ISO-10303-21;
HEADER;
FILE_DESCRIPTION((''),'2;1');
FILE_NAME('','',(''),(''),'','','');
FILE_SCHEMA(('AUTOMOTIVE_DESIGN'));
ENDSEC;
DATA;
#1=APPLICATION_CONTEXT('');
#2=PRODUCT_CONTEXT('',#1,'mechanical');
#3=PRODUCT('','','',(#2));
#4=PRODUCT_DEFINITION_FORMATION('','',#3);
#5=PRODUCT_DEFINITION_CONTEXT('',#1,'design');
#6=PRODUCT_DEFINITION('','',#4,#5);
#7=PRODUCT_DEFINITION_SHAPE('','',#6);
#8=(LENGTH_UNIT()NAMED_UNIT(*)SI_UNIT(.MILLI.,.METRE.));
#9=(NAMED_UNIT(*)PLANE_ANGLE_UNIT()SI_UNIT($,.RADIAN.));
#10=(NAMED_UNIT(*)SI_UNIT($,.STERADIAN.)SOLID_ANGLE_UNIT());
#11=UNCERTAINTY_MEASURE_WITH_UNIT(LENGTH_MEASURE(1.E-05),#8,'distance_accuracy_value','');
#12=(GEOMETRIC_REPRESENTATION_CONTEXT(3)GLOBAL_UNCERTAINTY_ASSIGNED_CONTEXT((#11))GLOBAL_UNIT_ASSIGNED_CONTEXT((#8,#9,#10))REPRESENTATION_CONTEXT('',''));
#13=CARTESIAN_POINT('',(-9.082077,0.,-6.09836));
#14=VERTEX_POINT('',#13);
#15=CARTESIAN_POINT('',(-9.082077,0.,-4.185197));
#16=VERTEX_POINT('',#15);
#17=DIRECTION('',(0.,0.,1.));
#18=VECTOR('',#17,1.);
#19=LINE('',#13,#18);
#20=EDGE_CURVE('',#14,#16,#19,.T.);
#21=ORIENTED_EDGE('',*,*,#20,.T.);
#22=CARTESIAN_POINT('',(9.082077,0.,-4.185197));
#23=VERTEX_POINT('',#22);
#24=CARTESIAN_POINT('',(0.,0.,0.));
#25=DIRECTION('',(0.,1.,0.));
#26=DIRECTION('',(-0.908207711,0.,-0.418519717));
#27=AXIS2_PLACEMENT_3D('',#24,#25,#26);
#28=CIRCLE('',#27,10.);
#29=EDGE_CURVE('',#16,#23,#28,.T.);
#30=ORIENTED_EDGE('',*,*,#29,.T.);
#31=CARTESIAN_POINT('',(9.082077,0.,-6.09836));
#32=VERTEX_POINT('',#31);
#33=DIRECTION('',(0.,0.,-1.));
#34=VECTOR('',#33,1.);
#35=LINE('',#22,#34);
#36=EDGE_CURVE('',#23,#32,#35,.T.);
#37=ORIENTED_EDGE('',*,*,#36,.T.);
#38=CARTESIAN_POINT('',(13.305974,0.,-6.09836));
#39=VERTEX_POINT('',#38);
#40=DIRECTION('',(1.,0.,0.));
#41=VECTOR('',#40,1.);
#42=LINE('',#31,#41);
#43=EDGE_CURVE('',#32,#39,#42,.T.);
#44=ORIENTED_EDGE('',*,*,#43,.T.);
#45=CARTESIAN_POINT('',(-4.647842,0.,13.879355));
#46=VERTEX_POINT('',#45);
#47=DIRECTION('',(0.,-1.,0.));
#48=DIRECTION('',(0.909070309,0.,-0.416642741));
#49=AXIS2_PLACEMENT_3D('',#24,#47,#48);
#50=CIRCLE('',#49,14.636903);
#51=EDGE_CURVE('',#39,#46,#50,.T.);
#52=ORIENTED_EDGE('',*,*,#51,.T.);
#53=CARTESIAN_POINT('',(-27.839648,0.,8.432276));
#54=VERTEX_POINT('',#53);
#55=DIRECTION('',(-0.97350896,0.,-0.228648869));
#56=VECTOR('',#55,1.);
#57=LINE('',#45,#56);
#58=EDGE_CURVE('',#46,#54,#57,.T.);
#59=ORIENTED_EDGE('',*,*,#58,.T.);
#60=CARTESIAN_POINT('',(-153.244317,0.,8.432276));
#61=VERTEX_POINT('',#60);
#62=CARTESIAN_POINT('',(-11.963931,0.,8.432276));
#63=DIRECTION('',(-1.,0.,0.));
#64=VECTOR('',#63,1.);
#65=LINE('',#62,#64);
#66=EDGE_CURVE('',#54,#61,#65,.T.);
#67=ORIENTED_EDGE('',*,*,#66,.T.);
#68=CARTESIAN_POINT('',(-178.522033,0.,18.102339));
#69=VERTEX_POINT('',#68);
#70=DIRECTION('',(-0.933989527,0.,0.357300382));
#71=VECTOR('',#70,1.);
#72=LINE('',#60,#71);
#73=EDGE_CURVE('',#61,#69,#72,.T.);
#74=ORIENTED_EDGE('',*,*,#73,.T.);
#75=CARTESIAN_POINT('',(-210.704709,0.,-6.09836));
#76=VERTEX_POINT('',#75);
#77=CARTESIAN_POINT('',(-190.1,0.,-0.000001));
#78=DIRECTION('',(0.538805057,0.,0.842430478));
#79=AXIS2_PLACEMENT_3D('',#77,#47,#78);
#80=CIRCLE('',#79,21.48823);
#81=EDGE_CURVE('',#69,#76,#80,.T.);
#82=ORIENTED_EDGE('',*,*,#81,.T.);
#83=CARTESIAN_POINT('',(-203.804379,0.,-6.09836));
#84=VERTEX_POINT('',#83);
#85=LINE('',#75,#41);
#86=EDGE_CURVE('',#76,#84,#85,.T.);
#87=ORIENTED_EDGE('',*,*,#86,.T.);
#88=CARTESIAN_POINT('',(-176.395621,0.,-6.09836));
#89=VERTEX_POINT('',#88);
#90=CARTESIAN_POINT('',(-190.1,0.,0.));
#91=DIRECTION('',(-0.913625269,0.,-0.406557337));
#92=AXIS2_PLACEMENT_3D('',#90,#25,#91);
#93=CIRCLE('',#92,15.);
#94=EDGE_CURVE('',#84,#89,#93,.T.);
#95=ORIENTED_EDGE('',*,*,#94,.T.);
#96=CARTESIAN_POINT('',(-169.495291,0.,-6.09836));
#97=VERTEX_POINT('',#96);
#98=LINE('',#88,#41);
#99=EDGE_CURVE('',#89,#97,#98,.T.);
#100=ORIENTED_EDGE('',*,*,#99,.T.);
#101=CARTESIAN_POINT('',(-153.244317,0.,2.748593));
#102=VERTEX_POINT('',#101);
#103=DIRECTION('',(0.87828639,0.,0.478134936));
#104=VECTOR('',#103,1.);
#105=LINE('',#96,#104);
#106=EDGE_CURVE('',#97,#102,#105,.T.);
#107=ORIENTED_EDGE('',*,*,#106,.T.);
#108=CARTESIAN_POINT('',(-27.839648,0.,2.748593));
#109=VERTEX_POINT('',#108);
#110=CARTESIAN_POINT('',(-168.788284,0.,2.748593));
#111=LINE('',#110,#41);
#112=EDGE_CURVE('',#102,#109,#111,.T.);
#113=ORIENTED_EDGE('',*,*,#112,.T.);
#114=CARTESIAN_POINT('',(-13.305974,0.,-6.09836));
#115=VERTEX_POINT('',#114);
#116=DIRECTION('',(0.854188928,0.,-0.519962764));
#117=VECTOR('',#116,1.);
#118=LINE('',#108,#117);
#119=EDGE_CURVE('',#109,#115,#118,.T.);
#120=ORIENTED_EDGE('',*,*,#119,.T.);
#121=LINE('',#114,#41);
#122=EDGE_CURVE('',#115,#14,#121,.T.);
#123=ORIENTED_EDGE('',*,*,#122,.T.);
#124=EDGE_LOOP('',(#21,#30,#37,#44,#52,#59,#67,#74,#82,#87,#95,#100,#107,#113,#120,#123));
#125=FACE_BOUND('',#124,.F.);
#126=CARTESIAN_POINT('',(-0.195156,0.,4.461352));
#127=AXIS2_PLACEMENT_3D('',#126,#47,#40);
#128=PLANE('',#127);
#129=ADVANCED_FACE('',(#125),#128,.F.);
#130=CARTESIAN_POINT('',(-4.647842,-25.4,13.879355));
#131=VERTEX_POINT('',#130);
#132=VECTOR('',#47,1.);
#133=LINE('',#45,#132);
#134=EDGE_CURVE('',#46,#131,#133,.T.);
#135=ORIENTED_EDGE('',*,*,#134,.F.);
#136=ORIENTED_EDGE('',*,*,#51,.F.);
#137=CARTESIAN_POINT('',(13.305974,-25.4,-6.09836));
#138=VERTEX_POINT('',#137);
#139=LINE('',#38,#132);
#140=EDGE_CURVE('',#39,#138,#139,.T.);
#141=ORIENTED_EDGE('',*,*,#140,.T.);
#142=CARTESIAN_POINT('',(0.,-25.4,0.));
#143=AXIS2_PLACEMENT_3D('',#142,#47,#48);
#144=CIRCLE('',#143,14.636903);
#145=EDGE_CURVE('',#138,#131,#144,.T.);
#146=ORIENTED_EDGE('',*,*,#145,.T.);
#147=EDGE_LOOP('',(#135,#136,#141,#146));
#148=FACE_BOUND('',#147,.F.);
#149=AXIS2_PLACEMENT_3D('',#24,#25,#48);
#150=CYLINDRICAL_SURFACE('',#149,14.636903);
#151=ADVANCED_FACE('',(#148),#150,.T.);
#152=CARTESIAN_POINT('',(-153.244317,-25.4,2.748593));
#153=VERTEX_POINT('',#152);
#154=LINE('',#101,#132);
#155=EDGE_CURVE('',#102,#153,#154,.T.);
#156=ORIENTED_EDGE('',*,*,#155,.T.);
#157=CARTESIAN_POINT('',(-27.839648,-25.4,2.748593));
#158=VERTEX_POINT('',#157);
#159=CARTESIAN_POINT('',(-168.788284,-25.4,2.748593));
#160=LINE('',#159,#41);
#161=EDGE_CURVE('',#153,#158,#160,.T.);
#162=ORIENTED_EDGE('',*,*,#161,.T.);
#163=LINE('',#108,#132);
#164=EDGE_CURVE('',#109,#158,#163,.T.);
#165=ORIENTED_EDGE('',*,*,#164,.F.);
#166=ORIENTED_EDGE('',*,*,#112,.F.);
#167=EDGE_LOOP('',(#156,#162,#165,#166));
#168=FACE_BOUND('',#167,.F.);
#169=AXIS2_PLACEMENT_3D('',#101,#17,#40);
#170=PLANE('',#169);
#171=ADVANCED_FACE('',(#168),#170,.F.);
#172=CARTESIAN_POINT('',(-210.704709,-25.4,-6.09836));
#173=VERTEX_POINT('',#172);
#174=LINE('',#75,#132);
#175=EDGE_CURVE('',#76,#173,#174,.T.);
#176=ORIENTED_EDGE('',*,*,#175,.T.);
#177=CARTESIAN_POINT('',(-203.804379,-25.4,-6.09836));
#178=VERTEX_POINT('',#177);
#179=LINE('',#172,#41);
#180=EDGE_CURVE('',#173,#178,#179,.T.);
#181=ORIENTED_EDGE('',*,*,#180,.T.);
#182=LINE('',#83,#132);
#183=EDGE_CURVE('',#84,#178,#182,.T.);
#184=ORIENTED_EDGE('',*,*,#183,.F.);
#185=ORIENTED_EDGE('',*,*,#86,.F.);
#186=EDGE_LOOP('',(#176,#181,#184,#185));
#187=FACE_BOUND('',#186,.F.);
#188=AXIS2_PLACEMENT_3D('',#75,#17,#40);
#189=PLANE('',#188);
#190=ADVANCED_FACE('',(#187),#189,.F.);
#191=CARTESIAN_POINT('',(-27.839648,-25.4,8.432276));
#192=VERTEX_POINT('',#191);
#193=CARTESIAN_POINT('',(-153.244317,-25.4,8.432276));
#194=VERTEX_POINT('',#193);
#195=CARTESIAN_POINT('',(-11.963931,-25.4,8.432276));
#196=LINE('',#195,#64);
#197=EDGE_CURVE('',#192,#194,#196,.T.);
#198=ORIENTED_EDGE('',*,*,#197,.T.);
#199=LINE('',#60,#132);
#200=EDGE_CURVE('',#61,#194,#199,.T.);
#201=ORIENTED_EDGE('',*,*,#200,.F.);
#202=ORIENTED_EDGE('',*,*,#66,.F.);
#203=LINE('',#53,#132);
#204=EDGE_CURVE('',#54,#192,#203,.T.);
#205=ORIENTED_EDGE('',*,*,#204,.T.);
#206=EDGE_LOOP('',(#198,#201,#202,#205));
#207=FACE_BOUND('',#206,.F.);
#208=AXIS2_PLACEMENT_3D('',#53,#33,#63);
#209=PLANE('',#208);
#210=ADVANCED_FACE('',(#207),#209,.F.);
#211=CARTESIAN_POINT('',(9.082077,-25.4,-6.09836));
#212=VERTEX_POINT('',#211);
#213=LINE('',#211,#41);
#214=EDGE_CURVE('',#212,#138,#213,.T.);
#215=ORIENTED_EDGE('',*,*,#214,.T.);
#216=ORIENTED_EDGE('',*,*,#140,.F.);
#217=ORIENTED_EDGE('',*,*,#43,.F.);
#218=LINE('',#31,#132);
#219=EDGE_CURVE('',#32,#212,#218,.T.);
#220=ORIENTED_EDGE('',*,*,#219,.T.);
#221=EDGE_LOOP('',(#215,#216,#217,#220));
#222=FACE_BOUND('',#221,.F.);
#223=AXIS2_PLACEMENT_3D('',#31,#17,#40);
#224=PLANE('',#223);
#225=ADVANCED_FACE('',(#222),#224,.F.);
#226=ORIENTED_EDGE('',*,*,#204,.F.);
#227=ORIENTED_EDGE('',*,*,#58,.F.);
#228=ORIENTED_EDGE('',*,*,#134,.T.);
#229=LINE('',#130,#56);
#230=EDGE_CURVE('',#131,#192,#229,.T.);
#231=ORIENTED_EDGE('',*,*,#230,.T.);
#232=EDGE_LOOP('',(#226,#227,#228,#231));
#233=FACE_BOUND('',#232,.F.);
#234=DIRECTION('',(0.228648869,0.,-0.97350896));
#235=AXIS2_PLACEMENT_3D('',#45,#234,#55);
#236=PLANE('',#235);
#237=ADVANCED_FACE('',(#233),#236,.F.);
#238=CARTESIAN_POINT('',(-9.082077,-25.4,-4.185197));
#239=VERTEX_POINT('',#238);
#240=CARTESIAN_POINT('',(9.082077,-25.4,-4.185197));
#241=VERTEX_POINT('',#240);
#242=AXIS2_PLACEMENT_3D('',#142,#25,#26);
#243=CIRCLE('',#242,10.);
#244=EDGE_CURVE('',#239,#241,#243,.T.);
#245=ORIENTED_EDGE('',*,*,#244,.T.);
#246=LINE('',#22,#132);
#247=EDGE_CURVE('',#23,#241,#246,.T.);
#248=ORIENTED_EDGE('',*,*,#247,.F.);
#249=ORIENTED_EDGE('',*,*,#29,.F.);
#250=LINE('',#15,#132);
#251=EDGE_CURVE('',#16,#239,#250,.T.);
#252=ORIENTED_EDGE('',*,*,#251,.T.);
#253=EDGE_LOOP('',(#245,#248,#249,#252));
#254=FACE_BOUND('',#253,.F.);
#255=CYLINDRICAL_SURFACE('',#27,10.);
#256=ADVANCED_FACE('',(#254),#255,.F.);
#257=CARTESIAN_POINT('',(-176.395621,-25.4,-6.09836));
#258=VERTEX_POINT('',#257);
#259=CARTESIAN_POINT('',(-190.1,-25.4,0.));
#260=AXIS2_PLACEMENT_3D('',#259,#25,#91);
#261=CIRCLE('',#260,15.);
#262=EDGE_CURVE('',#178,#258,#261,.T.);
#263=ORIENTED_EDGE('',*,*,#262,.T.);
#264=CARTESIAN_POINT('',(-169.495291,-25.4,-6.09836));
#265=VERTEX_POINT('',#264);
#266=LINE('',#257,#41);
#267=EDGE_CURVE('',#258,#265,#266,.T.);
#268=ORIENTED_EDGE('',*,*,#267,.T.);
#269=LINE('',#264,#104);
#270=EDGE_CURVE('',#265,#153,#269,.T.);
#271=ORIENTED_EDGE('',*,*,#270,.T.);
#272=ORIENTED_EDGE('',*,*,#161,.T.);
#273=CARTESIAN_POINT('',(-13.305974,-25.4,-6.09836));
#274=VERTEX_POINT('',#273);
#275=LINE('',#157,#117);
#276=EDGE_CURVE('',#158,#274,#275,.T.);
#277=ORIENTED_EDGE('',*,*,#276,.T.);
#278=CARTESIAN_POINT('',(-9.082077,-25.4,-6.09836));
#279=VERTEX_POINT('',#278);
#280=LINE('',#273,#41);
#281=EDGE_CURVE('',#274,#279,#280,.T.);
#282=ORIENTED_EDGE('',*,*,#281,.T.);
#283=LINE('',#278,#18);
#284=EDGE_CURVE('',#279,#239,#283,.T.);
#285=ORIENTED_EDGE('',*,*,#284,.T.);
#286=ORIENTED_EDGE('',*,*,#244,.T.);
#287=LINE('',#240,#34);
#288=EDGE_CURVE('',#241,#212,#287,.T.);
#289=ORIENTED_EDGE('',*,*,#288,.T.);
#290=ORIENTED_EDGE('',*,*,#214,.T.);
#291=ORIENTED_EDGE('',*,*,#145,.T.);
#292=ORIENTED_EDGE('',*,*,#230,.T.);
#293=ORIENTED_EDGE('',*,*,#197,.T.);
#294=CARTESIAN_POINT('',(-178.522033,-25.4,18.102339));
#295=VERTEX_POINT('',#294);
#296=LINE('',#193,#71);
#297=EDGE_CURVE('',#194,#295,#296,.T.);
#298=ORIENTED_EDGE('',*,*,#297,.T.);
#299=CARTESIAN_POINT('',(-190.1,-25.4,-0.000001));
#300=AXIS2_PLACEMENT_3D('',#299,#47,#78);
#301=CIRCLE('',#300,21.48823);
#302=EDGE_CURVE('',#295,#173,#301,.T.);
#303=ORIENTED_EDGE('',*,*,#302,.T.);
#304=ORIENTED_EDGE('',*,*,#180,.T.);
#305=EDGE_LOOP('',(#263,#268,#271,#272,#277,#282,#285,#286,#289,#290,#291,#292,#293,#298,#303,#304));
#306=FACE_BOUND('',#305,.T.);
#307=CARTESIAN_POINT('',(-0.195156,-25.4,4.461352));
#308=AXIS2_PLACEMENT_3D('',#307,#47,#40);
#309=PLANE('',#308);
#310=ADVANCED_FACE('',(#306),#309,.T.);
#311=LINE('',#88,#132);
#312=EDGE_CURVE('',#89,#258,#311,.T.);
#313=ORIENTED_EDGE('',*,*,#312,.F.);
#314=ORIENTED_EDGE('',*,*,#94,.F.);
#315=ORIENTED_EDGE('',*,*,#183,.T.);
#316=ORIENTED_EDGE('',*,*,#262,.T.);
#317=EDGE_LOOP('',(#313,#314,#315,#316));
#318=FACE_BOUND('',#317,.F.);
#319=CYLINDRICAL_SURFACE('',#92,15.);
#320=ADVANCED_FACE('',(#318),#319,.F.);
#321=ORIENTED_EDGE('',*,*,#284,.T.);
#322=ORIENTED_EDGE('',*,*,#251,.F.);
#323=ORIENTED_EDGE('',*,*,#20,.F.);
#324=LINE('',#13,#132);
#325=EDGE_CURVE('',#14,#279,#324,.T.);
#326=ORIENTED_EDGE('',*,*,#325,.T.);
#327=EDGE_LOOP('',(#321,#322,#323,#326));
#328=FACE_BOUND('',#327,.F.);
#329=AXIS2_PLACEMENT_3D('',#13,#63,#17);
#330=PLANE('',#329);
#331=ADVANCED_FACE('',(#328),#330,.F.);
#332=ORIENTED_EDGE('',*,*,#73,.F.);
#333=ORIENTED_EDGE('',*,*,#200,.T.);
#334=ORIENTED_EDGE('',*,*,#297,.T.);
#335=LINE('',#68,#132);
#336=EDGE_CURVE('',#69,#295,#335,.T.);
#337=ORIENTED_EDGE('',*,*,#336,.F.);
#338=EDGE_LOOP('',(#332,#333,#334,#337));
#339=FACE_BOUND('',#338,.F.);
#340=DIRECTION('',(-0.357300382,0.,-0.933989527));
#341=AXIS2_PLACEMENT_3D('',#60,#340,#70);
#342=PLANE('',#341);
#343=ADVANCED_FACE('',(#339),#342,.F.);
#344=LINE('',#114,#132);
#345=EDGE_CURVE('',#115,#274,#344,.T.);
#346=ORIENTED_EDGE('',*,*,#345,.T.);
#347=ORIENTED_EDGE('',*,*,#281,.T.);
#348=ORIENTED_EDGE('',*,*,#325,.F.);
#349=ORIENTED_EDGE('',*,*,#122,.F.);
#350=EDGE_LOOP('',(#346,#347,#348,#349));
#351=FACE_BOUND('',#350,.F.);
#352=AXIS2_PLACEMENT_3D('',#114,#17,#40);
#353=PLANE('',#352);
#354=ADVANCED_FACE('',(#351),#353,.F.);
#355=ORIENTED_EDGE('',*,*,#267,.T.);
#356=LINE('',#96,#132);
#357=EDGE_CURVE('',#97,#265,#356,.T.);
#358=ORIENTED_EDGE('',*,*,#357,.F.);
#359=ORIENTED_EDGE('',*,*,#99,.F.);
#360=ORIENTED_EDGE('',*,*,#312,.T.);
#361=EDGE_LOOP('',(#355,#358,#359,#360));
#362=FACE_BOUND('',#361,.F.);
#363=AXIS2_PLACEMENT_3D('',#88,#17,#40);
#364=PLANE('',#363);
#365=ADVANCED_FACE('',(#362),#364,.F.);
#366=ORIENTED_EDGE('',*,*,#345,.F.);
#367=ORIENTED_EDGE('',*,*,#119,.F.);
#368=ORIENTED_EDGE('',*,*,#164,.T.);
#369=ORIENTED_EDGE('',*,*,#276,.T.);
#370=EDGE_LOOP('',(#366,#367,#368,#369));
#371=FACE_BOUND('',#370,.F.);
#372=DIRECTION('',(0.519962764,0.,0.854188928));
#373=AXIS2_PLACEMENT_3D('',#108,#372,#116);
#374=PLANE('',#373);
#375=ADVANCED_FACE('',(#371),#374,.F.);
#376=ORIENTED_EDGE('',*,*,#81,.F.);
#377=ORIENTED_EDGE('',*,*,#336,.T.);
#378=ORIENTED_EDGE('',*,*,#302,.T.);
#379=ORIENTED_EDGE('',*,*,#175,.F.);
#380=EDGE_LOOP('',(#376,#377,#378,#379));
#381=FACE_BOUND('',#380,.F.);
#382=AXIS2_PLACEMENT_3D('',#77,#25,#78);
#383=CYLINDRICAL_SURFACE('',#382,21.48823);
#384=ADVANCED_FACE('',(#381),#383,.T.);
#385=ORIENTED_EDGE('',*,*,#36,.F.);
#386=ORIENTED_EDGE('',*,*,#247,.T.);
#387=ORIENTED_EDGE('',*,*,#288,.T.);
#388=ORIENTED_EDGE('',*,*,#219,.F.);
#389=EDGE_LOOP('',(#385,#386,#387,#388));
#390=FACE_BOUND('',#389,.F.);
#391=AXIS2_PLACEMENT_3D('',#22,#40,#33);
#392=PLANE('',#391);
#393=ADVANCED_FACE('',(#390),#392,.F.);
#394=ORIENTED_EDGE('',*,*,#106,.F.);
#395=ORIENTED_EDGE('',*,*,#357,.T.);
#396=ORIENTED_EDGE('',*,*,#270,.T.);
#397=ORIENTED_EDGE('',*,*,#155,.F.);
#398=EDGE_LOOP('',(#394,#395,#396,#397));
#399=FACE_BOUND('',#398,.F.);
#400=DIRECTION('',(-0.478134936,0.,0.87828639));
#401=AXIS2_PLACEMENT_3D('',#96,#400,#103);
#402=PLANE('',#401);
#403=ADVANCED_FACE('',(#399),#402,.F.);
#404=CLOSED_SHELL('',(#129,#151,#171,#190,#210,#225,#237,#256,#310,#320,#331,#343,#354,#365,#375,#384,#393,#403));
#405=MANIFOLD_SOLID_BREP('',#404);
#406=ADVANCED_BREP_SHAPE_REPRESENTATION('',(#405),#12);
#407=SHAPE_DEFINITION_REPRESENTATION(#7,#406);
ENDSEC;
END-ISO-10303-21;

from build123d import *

# Parameters (mm, degrees)
F2_DEPTH = 25.4


with BuildPart() as f2:
    # F0 (on Front) → F2 (new body)
    with BuildSketch(Plane.XZ):
        with BuildLine():
            ThreePointArc((-9.082077, -4.185197), (0, 10), (9.082077, -4.185197))
            Line((9.082077, -4.185197), (13.305974, -6.09836))
            ThreePointArc((13.305974, -6.09836), (10.886601, 9.783703), (-4.647842, 13.879355))
            ThreePointArc((-4.647842, 13.879355), (-8.741019, 11.740252), (-11.963931, 8.432276))
            ThreePointArc((-11.963931, 8.432276), (-13.473338, 5.7191), (-14.376514, 2.748593))
            ThreePointArc((-14.376514, 2.748593), (-14.530904, -1.758337), (-13.305974, -6.09836))
            Line((-13.305974, -6.09836), (-9.082077, -4.185197))
        make_face()
        Polygon((13.305974, -6.09836), (9.082077, -4.185197), (9.082077, -6.09836), align=None)
        Polygon((-9.082077, -6.09836), (-9.082077, -4.185197), (-13.305974, -6.09836), align=None)
        with BuildLine():
            Line((-27.839648, 2.748593), (-13.305974, -6.09836))
            ThreePointArc((-13.305974, -6.09836), (-14.530904, -1.758337), (-14.376514, 2.748593))
            Line((-14.376514, 2.748593), (-27.839648, 2.748593))
        make_face()
        with BuildLine():
            ThreePointArc((-11.963931, 8.432276), (-8.741019, 11.740252), (-4.647842, 13.879355))
            Line((-4.647842, 13.879355), (-27.839648, 8.432276))
            Line((-27.839648, 8.432276), (-11.963931, 8.432276))
        make_face()
        with BuildLine():
            Line((-27.839648, 2.748593), (-14.376514, 2.748593))
            ThreePointArc((-14.376514, 2.748593), (-13.473338, 5.7191), (-11.963931, 8.432276))
            Line((-11.963931, 8.432276), (-27.839648, 8.432276))
            Line((-27.839648, 8.432276), (-153.244317, 8.432276))
            Line((-153.244317, 8.432276), (-170.335367, 8.432276))
            ThreePointArc((-170.335367, 8.432276), (-169.366146, 5.643698), (-168.788284, 2.748593))
            Line((-168.788284, 2.748593), (-153.244317, 2.748593))
            Line((-153.244317, 2.748593), (-27.839648, 2.748593))
        make_face()
        with BuildLine():
            Line((-169.495291, -6.09836), (-153.244317, 2.748593))
            Line((-153.244317, 2.748593), (-168.788284, 2.748593))
            ThreePointArc((-168.788284, 2.748593), (-168.68006, -1.711782), (-169.495291, -6.09836))
        make_face()
        with BuildLine():
            Line((-170.335367, 8.432276), (-153.244317, 8.432276))
            Line((-153.244317, 8.432276), (-178.522033, 18.102339))
            ThreePointArc((-178.522033, 18.102339), (-173.699781, 13.88441), (-170.335367, 8.432276))
        make_face()
        with BuildLine():
            ThreePointArc((-169.495291, -6.09836), (-168.68006, -1.711782), (-168.788284, 2.748593))
            ThreePointArc((-168.788284, 2.748593), (-169.366146, 5.643698), (-170.335367, 8.432276))
            ThreePointArc((-170.335367, 8.432276), (-173.699781, 13.88441), (-178.522033, 18.102339))
            ThreePointArc((-178.522033, 18.102339), (-203.01468, 17.174255), (-210.704709, -6.09836))
            Line((-210.704709, -6.09836), (-203.804379, -6.09836))
            ThreePointArc((-203.804379, -6.09836), (-190.1, 15), (-176.395621, -6.09836))
            Line((-176.395621, -6.09836), (-169.495291, -6.09836))
        make_face()
    extrude(amount=F2_DEPTH)


solid = f2.part
